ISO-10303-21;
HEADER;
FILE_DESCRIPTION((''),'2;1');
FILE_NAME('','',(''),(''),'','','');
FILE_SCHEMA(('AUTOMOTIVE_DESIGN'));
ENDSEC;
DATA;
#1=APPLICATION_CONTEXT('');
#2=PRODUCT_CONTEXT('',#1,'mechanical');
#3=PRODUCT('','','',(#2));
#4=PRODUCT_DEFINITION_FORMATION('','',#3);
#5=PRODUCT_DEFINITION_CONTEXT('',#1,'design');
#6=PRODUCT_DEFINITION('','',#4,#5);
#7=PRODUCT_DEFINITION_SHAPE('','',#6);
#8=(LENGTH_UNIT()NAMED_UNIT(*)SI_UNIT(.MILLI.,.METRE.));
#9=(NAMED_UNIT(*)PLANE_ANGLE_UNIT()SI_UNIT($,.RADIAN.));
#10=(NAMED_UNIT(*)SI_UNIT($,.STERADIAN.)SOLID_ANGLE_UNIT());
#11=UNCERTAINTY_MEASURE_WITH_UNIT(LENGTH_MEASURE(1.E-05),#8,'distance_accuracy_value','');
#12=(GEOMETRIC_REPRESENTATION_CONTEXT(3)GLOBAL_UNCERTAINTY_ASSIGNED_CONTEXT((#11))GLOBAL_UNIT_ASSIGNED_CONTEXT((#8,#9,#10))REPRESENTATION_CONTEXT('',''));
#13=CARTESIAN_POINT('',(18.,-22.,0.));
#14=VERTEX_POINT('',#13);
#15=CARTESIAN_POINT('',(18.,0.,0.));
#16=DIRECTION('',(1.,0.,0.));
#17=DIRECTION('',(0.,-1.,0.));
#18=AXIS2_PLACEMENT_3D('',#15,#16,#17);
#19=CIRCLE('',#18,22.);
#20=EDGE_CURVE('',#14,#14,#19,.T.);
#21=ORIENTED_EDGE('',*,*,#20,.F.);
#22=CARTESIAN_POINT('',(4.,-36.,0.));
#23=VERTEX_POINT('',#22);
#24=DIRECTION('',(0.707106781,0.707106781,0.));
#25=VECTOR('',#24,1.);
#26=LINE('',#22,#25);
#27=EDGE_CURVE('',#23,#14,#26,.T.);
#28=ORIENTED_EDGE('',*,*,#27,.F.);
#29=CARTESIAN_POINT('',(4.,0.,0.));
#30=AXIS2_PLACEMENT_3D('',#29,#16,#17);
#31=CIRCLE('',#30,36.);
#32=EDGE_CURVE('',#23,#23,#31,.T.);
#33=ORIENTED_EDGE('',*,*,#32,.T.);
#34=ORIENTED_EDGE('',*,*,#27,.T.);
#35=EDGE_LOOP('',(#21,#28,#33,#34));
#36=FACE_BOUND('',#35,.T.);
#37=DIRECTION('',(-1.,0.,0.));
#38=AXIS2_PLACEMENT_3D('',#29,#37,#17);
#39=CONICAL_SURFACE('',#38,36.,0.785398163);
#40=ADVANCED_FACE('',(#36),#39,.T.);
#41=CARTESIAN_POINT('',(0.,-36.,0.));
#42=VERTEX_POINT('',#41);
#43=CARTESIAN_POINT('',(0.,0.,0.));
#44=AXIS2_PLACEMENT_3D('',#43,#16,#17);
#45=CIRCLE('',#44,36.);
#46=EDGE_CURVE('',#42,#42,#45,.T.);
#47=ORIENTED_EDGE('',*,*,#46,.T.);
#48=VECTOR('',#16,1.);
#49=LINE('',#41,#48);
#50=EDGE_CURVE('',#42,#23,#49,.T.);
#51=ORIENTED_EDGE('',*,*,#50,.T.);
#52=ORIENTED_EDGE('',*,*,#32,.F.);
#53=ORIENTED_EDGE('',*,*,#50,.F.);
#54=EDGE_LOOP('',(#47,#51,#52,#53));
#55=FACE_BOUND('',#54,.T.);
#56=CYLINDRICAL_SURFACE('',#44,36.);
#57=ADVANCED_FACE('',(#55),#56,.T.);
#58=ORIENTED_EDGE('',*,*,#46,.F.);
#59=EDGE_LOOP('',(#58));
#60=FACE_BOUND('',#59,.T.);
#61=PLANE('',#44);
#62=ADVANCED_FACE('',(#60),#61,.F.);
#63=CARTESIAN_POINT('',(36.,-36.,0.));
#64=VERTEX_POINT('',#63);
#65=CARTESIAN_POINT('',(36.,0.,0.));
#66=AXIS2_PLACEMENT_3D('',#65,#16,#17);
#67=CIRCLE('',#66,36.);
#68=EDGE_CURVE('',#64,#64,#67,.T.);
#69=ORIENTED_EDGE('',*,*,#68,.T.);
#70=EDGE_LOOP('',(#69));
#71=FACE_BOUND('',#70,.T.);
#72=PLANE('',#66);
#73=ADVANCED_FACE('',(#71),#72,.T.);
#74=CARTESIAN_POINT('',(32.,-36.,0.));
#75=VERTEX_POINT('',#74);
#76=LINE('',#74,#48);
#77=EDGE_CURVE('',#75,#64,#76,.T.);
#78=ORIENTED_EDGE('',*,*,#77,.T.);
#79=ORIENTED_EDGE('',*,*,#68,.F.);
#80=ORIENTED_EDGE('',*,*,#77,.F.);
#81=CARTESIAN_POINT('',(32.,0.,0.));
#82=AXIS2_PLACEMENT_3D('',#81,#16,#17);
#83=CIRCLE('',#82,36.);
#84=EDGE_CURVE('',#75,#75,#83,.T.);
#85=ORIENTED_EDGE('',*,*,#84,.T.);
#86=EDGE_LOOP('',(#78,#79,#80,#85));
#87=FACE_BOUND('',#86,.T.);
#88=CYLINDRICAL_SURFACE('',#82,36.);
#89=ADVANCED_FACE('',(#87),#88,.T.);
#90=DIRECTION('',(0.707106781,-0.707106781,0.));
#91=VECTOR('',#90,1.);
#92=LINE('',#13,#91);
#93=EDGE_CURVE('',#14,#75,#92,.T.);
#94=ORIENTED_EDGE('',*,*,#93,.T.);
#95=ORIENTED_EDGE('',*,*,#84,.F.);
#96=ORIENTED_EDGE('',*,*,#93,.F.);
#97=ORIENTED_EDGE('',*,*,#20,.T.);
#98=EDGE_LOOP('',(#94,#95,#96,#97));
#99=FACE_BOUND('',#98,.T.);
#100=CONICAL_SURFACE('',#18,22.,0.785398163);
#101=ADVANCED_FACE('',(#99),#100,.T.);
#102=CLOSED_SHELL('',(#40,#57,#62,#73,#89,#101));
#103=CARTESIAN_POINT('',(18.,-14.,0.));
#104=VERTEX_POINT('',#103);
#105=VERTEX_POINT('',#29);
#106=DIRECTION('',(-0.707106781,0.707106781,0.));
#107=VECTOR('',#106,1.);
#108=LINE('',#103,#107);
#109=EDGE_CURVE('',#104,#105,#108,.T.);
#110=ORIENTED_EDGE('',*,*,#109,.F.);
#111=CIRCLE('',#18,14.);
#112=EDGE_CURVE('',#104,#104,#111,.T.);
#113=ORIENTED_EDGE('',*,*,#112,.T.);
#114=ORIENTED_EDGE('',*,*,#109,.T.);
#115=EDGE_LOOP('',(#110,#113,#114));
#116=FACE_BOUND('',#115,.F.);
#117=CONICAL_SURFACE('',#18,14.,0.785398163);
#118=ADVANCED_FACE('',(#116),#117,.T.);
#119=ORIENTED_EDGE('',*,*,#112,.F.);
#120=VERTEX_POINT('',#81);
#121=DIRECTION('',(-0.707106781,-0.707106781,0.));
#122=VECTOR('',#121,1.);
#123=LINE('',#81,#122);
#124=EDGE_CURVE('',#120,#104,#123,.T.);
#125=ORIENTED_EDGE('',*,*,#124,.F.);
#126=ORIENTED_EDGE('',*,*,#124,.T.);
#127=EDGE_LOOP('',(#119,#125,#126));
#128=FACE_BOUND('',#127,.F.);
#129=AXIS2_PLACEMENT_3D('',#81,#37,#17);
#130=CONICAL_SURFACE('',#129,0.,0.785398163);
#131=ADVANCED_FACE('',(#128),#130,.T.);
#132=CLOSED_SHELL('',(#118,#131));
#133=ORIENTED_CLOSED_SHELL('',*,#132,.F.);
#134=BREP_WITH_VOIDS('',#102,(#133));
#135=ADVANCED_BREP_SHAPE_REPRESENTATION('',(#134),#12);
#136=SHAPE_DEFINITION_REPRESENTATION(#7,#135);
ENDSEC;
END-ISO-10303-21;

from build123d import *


with BuildPart() as f1:
    # F0 (on Top) → F1 (revolve)
    with BuildSketch(Plane.XY):
        Polygon((4, 0), (0, 0), (0, -36), (4, -36), (18, -22), (32, -36), (36, -36), (36, 0), (32, 0), (18, -14), align=None)
        Polygon((16.3431457505, -18), (4, -30.3431457505), (4, -5.6568542495), align=None, mode=Mode.SUBTRACT)
        Polygon((32, -30.3431457505), (19.6568542495, -18), (32, -5.6568542495), align=None, mode=Mode.SUBTRACT)
        Polygon((4, -5.6568542495), (4, -30.3431457505), (16.3431457505, -18), align=None)
        Polygon((32, -5.6568542495), (19.6568542495, -18), (32, -30.3431457505), align=None)
    revolve(axis=Axis((18, 0, 0), (1, 0, 0)))


solid = f1.part
